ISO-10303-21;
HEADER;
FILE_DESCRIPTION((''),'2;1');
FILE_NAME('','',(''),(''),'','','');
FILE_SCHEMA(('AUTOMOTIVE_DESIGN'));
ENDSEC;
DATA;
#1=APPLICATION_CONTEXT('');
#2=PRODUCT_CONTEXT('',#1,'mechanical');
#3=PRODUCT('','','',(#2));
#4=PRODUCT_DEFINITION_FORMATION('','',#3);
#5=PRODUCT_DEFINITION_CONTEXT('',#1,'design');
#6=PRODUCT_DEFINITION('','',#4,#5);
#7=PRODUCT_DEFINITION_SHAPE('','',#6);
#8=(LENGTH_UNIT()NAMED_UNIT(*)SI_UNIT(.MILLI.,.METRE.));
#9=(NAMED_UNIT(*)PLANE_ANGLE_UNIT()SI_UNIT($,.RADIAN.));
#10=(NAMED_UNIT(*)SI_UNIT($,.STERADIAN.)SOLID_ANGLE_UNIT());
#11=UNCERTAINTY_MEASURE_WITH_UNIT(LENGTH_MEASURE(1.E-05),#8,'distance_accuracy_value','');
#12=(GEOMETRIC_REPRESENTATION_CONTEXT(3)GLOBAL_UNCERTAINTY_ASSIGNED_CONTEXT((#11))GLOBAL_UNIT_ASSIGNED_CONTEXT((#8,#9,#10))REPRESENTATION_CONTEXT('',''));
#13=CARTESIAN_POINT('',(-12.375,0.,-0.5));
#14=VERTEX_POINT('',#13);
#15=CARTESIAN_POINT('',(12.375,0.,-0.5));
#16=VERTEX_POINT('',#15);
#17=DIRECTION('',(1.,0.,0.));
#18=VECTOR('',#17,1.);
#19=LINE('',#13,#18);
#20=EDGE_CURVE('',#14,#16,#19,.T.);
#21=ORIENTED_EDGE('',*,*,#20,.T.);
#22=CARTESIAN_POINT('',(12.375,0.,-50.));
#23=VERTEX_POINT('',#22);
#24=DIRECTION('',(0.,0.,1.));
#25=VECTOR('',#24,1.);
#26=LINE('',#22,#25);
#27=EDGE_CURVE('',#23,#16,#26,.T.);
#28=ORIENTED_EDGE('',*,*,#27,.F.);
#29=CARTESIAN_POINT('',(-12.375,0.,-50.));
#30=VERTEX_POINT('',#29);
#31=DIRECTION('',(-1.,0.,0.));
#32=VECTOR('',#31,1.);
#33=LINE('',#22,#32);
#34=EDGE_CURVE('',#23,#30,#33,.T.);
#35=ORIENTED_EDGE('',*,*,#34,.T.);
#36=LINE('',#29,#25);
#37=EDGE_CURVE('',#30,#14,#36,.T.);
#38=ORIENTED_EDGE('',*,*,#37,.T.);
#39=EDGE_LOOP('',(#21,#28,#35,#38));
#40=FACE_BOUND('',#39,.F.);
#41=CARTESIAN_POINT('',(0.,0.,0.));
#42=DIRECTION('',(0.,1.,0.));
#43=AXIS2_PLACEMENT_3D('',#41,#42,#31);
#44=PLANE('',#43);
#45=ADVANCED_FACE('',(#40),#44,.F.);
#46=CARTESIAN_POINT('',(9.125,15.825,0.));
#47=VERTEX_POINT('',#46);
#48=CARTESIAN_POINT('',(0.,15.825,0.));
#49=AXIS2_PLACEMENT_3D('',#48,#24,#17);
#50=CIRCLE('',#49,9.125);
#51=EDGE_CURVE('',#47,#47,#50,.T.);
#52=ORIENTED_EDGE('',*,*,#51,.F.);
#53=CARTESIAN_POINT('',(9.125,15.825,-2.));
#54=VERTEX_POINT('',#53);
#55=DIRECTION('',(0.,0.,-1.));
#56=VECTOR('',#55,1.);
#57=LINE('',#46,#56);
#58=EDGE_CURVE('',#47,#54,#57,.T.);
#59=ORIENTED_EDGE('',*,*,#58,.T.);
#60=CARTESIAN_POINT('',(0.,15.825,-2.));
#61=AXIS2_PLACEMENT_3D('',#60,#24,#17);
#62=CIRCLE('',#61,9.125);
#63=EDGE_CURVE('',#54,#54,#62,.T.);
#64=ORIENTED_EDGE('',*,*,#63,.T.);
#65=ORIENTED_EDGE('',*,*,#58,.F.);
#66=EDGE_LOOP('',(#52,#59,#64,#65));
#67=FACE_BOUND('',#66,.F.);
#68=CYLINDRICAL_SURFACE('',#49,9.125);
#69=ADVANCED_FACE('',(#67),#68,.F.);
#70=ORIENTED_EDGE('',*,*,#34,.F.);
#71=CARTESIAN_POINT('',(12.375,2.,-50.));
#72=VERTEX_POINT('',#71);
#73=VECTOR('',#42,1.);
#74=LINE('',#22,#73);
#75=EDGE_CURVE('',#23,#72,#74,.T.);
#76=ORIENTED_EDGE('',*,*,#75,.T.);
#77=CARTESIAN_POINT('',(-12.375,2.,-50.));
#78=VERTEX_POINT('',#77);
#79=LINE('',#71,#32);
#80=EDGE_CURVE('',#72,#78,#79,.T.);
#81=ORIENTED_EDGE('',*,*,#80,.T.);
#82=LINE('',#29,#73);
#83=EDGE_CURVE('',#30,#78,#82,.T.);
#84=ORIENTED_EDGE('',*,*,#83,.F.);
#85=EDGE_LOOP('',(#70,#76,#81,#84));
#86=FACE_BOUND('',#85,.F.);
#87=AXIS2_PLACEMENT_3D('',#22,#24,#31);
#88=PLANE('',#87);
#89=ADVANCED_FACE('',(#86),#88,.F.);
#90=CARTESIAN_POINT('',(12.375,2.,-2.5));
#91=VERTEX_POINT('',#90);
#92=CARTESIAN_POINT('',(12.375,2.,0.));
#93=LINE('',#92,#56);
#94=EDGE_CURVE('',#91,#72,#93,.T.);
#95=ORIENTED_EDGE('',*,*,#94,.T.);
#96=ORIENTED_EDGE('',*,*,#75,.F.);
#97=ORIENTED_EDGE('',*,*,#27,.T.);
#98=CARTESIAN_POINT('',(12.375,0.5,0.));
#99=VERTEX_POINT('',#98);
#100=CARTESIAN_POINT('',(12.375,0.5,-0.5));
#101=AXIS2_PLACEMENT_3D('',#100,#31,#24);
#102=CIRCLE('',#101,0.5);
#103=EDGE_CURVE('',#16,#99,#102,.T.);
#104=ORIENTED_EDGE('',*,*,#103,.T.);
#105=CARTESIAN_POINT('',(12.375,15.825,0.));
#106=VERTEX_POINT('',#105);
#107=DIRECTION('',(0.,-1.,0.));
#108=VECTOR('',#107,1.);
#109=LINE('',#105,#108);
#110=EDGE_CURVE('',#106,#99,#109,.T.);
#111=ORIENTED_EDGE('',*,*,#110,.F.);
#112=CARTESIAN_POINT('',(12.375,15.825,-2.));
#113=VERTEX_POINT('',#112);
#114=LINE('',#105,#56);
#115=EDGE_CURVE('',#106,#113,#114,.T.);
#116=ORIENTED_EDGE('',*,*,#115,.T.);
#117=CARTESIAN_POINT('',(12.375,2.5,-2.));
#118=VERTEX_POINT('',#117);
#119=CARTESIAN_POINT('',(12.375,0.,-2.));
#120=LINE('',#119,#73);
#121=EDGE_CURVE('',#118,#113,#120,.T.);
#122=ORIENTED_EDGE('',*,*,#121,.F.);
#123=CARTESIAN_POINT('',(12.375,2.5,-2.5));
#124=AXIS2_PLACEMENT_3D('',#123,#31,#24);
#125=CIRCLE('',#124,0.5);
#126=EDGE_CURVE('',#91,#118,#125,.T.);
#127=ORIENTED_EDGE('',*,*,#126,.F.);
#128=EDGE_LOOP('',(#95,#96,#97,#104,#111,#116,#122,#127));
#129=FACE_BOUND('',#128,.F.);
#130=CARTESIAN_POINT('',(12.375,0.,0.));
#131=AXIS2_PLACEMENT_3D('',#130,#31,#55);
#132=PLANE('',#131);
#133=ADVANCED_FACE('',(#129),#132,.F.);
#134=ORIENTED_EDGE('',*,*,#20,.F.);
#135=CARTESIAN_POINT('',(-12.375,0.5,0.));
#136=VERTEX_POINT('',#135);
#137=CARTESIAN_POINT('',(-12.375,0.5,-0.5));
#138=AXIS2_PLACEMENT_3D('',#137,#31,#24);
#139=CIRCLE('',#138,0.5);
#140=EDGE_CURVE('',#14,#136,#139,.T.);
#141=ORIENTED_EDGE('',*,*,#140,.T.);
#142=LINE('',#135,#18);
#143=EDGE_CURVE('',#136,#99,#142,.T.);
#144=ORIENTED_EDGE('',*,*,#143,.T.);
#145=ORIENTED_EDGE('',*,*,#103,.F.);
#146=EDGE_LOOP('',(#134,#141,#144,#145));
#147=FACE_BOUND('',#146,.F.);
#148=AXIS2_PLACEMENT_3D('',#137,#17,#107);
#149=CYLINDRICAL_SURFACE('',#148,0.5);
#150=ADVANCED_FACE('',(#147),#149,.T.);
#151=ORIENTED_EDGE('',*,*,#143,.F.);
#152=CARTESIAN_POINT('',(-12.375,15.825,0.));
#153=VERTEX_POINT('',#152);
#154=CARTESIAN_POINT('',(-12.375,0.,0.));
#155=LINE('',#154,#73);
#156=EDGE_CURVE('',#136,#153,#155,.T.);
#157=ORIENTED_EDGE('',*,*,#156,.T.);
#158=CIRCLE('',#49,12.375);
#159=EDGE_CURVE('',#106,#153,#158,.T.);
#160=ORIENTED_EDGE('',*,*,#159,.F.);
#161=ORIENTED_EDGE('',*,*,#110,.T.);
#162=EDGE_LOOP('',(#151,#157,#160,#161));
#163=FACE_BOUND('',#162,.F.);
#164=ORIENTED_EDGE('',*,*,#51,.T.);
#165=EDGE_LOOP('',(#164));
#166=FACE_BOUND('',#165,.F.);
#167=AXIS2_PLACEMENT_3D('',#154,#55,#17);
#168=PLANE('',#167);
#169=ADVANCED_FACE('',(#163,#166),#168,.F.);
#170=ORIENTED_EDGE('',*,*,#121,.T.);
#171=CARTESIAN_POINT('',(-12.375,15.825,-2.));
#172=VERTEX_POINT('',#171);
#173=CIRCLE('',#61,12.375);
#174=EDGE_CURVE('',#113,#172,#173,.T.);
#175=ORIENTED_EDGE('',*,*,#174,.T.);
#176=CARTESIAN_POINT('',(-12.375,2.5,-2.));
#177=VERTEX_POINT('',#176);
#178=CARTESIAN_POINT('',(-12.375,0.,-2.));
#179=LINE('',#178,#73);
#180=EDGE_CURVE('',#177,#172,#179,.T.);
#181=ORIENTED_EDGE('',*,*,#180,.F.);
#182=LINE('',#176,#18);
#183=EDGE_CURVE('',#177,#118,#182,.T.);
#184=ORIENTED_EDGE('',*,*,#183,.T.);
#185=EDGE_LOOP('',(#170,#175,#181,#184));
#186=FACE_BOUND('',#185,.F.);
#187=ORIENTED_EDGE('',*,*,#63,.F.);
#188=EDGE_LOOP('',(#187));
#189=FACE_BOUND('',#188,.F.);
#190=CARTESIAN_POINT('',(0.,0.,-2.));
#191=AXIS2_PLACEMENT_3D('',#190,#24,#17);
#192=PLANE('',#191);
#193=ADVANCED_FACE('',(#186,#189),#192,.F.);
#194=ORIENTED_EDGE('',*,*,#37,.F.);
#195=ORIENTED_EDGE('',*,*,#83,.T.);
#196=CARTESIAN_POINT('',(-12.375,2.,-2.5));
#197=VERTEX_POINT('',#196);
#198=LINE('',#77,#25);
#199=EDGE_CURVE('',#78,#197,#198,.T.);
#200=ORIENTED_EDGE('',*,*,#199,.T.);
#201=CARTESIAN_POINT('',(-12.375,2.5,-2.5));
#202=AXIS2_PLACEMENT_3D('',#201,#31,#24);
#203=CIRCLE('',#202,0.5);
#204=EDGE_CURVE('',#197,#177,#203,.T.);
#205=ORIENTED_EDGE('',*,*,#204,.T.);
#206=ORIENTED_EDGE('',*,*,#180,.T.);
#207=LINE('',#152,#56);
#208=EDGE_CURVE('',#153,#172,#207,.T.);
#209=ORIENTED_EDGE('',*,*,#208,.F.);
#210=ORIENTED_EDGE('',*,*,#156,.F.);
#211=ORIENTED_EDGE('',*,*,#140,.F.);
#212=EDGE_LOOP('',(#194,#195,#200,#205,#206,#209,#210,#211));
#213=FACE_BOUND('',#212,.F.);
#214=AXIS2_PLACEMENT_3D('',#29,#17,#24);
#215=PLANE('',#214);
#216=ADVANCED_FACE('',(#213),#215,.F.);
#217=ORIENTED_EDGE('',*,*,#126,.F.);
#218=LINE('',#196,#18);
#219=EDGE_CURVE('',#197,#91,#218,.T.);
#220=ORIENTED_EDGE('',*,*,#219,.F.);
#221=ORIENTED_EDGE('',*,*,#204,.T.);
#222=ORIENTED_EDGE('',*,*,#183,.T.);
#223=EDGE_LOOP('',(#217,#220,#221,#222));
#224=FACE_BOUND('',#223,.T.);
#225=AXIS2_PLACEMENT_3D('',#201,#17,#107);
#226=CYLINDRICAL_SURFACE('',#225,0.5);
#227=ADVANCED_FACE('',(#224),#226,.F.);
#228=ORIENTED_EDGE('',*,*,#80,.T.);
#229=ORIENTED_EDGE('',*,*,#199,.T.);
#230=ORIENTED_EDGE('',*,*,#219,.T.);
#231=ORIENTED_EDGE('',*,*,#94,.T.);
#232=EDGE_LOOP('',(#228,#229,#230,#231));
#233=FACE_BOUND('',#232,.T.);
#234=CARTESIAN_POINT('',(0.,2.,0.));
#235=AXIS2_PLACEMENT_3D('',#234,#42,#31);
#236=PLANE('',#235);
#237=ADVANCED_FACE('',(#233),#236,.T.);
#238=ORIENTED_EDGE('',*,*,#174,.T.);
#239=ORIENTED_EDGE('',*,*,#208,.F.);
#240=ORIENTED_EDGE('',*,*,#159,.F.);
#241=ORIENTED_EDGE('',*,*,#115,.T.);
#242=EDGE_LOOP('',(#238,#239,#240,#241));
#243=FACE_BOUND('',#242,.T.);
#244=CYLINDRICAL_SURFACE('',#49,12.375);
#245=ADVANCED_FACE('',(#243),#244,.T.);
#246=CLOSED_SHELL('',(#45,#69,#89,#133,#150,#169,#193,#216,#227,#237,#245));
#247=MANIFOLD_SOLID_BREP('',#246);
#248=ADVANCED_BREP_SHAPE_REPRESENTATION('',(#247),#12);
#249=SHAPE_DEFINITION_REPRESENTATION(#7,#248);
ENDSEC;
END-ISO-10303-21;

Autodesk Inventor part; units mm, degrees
ref_plane "YZ Plane" through (0, 0, 0) normal (1, 0, 0) x (0, 1, 0)
ref_plane "XZ Plane" through (0, 0, 0) normal (0, 1, 0) x (-1, 0, 0)
ref_plane "XY Plane" through (0, 0, 0) normal (0, 0, 1) x (1, 0, 0)
sketch "Sketch1" plane through (0, 0, 0) normal (0, 0, 1) x (1, 0, 0)
  circle A0 centre (0, 15.825) radius 9.125
  line L0 (-12.375, 0) -> (12.375, 0)
  arc A1 (12.375, 15.825) -> (-12.375, 15.825) centre (0, 15.825) ccw
  line L1 (12.375, 0) -> (12.375, 15.825)
  line L2 (-12.375, 0) -> (-12.375, 15.825)
  point P0 (0, 0)
  point P1 (0, 0)
  point P2 (0, 0)
  point P3 (0, 3.45)
  dimension "d28" = 18.25
  dimension "d29" = 24.75
  dimension "d30" = 24.75
  dimension "d31" = 3.45
sketch "Sketch2" plane through (0, 0, 0) normal (0, 1, 0) x (-1, 0, 0)
  line L0 (12.375, 0) -> (-12.375, 0)
  line L1 (-12.375, 0) -> (-12.375, -50)
  line L2 (-12.375, -50) -> (12.375, -50)
  line L3 (12.375, -50) -> (12.375, 0)
  point P0 (0, 0)
  point P1 (-12.375, 0)
  dimension "d5" = 24.75
  dimension "d10" = 50
extrude "Extrusion4" add sketch "Sketch2" along normal blind 2
extrude "Extrusion5" add sketch "Sketch1" against normal blind 2
fillet "Fillet1" radius 0.5 2 edges at (0, 0, 0) (0, 2, -2)
properties part number "Dudukan Proximity V2"
